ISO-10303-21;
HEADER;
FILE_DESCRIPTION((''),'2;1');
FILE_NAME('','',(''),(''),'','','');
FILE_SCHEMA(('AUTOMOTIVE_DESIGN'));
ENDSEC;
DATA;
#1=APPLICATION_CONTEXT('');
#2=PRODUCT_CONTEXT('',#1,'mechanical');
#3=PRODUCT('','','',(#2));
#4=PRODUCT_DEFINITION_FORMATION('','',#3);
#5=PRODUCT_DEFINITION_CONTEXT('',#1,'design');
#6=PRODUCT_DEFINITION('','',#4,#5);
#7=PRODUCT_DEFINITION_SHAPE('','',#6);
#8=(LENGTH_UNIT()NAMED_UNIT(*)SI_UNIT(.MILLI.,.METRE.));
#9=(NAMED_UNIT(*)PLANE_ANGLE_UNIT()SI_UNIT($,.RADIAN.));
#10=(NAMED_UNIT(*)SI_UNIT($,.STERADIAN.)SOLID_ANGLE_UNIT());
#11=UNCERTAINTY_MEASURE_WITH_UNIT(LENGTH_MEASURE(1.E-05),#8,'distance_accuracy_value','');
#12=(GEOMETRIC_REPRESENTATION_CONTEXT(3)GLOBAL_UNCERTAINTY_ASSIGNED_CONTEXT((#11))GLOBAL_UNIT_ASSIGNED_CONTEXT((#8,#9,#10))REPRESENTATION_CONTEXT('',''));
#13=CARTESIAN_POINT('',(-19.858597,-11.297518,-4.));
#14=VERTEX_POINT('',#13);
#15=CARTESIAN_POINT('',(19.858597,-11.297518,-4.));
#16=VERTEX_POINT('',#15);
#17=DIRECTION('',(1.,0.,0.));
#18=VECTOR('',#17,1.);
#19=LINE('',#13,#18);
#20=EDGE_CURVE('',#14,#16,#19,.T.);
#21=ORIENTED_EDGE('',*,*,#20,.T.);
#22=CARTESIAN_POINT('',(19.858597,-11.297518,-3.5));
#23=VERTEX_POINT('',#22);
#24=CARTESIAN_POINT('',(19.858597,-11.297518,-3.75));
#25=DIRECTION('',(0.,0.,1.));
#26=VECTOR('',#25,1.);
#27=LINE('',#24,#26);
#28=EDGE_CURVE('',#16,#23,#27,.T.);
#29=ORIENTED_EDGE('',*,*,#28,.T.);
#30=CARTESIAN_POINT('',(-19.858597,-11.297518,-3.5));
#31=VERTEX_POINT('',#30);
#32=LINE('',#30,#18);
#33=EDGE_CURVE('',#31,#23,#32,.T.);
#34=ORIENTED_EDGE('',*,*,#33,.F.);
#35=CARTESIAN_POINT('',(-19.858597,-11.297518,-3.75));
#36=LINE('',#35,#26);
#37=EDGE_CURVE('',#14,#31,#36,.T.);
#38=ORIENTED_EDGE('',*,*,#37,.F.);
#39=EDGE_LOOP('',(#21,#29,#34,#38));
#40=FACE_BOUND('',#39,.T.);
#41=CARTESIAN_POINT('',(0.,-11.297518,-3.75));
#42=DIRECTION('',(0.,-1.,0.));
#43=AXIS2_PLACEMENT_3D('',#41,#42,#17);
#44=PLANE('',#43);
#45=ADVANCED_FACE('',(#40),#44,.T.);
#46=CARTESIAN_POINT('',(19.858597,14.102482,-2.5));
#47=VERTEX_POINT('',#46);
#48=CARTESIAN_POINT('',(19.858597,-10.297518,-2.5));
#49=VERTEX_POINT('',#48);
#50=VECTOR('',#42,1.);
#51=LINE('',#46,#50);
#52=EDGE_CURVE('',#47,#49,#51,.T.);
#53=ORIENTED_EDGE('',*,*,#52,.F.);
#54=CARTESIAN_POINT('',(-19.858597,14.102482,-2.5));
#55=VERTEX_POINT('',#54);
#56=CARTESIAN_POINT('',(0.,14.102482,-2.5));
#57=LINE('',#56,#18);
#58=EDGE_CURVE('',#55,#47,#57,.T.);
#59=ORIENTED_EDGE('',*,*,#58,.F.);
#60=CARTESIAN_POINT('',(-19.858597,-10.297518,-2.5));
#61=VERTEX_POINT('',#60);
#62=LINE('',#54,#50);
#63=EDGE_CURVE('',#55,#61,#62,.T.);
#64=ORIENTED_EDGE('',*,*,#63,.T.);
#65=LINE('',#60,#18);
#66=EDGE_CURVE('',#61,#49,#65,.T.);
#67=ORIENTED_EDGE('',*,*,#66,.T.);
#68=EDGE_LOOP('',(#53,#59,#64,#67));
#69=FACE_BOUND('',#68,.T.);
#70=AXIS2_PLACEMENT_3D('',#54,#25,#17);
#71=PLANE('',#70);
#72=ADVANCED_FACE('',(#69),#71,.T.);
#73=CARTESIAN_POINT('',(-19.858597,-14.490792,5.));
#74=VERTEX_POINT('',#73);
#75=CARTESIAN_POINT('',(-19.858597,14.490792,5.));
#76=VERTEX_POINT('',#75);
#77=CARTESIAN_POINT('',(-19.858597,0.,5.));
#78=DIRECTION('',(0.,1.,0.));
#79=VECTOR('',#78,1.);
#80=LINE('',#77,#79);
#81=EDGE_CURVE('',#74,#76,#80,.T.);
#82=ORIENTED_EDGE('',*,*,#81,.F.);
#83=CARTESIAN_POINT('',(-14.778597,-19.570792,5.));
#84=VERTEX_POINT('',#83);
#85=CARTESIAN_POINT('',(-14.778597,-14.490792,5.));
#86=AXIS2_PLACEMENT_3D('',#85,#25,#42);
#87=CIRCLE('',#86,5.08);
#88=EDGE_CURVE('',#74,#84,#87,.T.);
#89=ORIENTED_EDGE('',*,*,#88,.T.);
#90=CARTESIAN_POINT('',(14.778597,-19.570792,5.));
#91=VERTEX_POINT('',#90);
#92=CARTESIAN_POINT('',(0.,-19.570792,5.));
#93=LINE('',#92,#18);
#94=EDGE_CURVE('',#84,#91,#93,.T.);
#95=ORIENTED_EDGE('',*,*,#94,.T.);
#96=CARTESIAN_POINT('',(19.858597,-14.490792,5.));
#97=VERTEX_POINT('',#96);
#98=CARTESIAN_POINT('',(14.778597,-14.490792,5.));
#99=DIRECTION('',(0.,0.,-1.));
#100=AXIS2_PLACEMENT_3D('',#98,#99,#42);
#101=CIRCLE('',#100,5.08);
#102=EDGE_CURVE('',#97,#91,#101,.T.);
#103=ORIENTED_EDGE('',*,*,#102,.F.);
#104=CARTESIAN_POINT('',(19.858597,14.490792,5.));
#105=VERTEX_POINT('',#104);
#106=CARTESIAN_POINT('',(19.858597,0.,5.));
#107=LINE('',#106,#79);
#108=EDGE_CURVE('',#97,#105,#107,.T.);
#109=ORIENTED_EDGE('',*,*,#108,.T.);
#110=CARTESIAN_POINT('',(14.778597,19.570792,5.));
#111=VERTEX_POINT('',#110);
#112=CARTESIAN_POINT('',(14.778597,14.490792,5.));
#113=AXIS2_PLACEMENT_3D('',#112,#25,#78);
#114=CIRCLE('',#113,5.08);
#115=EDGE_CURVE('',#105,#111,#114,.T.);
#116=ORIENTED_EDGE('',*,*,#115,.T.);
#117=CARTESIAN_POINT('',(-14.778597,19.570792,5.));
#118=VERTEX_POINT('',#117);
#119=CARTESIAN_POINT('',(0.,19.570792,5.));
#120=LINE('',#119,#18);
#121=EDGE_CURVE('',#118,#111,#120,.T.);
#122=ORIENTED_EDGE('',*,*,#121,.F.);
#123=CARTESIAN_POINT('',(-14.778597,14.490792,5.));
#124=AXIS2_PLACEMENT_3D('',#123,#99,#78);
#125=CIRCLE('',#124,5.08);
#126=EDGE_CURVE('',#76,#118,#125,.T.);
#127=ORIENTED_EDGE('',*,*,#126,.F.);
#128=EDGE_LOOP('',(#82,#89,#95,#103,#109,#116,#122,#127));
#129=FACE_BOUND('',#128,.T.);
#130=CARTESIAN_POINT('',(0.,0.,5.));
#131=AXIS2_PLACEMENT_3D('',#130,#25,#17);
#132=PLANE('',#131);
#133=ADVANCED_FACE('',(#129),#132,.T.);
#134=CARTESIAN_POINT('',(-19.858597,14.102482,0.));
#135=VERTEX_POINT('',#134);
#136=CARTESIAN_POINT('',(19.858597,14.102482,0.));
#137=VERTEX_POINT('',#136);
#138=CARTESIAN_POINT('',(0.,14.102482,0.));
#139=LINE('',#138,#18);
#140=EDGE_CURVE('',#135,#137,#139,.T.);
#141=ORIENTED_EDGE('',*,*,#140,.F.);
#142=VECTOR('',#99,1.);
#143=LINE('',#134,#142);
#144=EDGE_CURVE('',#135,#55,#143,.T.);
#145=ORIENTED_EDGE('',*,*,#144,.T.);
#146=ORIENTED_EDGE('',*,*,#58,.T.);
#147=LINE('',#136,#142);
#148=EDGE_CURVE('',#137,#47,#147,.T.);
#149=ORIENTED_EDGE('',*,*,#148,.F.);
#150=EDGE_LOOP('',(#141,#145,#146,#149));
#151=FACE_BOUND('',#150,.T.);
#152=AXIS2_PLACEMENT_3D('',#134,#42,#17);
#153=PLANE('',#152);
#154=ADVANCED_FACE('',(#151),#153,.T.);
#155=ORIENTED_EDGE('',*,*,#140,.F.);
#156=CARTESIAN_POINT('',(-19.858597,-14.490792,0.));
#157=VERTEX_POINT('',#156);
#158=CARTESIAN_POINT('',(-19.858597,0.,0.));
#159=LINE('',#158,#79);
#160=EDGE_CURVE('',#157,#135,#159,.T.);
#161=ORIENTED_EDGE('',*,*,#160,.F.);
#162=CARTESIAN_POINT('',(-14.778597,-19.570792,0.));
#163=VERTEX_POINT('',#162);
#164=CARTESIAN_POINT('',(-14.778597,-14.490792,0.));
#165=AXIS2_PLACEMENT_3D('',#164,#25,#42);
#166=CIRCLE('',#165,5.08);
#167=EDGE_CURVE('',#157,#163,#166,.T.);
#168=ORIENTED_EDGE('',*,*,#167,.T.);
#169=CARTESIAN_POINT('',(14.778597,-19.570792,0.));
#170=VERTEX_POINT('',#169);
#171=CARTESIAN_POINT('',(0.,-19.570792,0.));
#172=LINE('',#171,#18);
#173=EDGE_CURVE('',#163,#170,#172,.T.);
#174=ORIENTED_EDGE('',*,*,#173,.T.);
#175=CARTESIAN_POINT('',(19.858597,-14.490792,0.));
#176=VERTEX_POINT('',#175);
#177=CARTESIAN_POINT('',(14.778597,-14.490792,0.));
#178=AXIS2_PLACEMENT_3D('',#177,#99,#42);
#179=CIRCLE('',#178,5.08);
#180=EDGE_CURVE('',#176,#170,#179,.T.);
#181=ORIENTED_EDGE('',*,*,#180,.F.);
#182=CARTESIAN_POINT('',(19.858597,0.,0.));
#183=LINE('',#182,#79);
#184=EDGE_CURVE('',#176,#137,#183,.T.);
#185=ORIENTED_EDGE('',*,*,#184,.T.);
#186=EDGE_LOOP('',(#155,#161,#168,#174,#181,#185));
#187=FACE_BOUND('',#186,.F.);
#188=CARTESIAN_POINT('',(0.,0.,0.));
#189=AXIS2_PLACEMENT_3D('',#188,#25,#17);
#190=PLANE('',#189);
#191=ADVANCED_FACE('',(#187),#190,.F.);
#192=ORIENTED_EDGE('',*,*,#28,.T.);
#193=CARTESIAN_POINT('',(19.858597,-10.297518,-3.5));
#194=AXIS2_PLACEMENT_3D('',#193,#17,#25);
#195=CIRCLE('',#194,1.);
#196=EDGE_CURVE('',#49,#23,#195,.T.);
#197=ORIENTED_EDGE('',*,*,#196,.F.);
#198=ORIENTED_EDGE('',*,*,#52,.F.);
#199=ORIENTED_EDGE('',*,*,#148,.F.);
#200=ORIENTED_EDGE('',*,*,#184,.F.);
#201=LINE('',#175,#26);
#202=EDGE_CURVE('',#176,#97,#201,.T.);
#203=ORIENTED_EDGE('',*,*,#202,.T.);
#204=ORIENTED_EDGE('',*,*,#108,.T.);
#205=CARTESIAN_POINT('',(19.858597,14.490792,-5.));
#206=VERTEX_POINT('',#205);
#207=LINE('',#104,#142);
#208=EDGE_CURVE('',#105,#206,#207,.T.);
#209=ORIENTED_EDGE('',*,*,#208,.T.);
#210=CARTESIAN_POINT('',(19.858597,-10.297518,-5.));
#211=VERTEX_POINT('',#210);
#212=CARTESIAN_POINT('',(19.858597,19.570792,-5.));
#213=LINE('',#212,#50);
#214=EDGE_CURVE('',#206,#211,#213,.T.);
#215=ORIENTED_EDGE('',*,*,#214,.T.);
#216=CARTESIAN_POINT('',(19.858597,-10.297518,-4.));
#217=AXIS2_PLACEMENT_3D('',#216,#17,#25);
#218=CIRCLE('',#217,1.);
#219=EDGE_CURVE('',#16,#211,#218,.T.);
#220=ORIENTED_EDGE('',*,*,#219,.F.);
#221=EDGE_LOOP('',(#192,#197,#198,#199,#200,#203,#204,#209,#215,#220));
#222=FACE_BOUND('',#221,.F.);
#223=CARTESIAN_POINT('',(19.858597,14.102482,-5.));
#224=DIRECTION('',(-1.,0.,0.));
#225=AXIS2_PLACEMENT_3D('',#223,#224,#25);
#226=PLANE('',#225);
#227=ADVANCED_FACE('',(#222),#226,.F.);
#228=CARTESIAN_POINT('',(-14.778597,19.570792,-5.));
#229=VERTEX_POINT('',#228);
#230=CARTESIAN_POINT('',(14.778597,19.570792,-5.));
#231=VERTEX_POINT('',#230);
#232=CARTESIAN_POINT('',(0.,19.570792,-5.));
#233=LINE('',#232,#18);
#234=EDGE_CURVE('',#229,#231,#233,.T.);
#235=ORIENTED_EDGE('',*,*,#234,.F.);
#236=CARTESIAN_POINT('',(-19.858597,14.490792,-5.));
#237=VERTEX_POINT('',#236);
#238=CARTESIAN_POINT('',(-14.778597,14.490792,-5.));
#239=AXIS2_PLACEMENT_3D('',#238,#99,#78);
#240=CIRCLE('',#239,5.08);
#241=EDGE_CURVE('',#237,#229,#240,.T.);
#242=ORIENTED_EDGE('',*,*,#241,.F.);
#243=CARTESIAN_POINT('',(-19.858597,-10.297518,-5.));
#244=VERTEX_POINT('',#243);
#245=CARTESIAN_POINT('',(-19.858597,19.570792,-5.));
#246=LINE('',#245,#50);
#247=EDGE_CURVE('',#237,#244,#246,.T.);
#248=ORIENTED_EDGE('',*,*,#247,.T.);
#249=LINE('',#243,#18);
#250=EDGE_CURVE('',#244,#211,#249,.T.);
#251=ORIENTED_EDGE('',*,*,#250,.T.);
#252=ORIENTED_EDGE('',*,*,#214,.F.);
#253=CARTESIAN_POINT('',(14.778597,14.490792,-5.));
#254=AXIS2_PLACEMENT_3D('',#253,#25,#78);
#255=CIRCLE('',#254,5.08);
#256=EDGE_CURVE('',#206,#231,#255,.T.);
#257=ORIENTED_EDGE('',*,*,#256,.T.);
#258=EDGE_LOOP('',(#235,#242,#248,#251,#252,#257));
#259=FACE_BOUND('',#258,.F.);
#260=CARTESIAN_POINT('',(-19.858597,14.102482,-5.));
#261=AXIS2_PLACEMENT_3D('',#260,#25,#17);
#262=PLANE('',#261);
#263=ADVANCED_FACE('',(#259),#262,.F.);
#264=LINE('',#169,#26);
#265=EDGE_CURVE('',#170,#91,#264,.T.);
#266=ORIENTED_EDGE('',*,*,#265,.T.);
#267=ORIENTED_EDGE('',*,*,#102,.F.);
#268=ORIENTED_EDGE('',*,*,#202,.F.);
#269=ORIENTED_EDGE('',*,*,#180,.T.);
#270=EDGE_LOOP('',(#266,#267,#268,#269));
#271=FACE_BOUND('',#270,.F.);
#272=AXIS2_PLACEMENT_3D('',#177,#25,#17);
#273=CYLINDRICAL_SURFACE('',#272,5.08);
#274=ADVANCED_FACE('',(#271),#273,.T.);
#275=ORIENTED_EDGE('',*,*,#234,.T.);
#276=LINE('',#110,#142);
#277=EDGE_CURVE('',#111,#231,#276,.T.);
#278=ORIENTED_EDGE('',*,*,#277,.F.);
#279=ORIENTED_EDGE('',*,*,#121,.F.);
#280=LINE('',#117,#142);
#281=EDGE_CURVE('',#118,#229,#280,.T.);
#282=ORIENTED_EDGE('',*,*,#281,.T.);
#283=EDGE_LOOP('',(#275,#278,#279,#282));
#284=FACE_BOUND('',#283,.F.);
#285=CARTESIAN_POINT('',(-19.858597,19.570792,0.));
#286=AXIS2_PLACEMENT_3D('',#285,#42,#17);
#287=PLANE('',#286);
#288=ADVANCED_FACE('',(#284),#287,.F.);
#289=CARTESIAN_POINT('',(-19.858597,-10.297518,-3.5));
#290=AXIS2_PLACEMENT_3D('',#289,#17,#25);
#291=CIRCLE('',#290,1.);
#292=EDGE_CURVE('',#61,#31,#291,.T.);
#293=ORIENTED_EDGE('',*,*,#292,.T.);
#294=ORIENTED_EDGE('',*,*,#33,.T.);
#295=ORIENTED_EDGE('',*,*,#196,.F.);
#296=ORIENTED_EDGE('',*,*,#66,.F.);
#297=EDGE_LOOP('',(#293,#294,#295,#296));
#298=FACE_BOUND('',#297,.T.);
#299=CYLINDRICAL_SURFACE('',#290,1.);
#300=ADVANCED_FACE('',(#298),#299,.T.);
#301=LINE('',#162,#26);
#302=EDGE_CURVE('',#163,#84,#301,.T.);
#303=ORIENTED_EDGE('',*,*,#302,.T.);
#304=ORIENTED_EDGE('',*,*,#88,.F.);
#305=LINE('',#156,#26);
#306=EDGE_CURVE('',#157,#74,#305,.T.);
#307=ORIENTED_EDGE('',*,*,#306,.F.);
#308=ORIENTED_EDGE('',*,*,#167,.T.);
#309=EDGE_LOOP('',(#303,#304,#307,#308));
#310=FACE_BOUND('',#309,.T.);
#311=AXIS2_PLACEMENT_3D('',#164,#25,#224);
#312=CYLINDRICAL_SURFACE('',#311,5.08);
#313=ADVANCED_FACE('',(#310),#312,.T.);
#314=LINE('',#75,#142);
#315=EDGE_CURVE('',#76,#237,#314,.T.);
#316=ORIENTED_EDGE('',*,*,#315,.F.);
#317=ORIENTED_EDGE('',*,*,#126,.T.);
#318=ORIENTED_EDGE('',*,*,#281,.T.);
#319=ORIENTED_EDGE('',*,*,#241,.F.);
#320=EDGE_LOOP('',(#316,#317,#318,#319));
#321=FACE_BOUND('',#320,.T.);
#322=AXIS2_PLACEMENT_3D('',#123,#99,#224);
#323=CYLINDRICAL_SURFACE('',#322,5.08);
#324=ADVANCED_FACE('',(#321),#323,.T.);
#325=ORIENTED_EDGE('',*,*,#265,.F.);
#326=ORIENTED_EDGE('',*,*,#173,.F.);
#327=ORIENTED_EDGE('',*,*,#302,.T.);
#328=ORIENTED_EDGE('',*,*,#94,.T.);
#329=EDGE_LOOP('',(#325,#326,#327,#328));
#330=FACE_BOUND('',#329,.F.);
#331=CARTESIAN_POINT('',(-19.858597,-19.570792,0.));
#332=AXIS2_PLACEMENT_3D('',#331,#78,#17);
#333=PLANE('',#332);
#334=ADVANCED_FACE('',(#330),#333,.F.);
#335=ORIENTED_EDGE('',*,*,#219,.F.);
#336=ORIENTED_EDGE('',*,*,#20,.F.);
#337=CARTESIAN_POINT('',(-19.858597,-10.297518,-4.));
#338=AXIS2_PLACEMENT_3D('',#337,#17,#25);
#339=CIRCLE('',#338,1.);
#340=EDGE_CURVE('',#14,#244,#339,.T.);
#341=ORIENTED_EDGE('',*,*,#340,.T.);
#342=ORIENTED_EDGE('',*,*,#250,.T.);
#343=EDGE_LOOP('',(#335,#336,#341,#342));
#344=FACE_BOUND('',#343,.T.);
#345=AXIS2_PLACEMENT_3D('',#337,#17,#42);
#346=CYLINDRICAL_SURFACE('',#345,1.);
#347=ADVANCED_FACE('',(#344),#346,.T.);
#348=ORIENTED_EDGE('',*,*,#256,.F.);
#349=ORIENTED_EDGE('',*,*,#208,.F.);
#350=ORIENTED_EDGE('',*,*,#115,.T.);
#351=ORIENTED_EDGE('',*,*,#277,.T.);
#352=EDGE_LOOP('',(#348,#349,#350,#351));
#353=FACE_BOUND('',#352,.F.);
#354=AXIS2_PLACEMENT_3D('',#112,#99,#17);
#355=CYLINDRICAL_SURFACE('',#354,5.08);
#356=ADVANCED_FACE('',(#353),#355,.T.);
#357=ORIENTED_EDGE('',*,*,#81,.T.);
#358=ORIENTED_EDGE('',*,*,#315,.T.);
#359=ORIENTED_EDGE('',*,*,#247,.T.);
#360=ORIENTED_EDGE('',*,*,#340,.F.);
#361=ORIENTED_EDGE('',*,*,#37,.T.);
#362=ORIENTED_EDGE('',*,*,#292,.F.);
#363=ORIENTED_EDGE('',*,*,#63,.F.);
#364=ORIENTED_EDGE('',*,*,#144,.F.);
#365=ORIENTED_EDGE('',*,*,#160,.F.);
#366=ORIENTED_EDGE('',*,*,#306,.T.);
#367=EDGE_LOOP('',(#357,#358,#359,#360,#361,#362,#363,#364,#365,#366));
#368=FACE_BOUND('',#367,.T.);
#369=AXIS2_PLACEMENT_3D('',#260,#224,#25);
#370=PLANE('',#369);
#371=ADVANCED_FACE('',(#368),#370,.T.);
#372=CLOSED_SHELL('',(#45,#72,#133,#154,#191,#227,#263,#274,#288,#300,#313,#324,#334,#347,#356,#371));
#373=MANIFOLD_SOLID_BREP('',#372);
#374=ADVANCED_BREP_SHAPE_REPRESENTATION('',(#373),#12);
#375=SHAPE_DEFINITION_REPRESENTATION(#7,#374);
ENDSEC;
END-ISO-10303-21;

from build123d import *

# Parameters (mm, degrees)
F0_W     = 39.717194
F0_H     = 39.141584
F1_DEPTH = 5
F2_W     = 39.717194
F2_H     = 5.46831
F3_DEPTH = 5
F4_W     = 39.717194
F4_H     = 2.5
F5_DEPTH = 25.4
F6_R     = 5.08
F7_R     = 1


with BuildPart() as f1:
    # F0 (on Top) → F1 (new body)
    with BuildSketch(Plane.XY):
        Rectangle(F0_W, F0_H)
    extrude(amount=F1_DEPTH)

    # F2 (on face) → F3 (join)
    with BuildSketch(Plane(origin=(0, 0, 0), x_dir=(1, 0, 0), z_dir=(0, 0, -1))):
        with Locations((0, -16.836637)):
            Rectangle(F2_W, F2_H)
    extrude(amount=F3_DEPTH)

    # F4 (on face) → F5 (join)
    with BuildSketch(Plane.XZ.offset(-14.102482)):
        with Locations((0, -3.75)):
            Rectangle(F4_W, F4_H)
    extrude(amount=F5_DEPTH)

    # F6
    f6_edges = [f1.edges().sort_by_distance(p)[0] for p in [
        (19.858597, 19.570792, 0),
        (19.858597, -19.570792, 2.5),
        (-19.858597, 19.570792, 0),
        (-19.858597, -19.570792, 2.5),
    ]]
    fillet(f6_edges, radius=F6_R)

    # F7
    f7_edges = [f1.edges().sort_by_distance(p)[0] for p in [
        (0, -11.297518, -5),
        (0, -11.297518, -2.5),
    ]]
    fillet(f7_edges, radius=F7_R)


solid = f1.part
